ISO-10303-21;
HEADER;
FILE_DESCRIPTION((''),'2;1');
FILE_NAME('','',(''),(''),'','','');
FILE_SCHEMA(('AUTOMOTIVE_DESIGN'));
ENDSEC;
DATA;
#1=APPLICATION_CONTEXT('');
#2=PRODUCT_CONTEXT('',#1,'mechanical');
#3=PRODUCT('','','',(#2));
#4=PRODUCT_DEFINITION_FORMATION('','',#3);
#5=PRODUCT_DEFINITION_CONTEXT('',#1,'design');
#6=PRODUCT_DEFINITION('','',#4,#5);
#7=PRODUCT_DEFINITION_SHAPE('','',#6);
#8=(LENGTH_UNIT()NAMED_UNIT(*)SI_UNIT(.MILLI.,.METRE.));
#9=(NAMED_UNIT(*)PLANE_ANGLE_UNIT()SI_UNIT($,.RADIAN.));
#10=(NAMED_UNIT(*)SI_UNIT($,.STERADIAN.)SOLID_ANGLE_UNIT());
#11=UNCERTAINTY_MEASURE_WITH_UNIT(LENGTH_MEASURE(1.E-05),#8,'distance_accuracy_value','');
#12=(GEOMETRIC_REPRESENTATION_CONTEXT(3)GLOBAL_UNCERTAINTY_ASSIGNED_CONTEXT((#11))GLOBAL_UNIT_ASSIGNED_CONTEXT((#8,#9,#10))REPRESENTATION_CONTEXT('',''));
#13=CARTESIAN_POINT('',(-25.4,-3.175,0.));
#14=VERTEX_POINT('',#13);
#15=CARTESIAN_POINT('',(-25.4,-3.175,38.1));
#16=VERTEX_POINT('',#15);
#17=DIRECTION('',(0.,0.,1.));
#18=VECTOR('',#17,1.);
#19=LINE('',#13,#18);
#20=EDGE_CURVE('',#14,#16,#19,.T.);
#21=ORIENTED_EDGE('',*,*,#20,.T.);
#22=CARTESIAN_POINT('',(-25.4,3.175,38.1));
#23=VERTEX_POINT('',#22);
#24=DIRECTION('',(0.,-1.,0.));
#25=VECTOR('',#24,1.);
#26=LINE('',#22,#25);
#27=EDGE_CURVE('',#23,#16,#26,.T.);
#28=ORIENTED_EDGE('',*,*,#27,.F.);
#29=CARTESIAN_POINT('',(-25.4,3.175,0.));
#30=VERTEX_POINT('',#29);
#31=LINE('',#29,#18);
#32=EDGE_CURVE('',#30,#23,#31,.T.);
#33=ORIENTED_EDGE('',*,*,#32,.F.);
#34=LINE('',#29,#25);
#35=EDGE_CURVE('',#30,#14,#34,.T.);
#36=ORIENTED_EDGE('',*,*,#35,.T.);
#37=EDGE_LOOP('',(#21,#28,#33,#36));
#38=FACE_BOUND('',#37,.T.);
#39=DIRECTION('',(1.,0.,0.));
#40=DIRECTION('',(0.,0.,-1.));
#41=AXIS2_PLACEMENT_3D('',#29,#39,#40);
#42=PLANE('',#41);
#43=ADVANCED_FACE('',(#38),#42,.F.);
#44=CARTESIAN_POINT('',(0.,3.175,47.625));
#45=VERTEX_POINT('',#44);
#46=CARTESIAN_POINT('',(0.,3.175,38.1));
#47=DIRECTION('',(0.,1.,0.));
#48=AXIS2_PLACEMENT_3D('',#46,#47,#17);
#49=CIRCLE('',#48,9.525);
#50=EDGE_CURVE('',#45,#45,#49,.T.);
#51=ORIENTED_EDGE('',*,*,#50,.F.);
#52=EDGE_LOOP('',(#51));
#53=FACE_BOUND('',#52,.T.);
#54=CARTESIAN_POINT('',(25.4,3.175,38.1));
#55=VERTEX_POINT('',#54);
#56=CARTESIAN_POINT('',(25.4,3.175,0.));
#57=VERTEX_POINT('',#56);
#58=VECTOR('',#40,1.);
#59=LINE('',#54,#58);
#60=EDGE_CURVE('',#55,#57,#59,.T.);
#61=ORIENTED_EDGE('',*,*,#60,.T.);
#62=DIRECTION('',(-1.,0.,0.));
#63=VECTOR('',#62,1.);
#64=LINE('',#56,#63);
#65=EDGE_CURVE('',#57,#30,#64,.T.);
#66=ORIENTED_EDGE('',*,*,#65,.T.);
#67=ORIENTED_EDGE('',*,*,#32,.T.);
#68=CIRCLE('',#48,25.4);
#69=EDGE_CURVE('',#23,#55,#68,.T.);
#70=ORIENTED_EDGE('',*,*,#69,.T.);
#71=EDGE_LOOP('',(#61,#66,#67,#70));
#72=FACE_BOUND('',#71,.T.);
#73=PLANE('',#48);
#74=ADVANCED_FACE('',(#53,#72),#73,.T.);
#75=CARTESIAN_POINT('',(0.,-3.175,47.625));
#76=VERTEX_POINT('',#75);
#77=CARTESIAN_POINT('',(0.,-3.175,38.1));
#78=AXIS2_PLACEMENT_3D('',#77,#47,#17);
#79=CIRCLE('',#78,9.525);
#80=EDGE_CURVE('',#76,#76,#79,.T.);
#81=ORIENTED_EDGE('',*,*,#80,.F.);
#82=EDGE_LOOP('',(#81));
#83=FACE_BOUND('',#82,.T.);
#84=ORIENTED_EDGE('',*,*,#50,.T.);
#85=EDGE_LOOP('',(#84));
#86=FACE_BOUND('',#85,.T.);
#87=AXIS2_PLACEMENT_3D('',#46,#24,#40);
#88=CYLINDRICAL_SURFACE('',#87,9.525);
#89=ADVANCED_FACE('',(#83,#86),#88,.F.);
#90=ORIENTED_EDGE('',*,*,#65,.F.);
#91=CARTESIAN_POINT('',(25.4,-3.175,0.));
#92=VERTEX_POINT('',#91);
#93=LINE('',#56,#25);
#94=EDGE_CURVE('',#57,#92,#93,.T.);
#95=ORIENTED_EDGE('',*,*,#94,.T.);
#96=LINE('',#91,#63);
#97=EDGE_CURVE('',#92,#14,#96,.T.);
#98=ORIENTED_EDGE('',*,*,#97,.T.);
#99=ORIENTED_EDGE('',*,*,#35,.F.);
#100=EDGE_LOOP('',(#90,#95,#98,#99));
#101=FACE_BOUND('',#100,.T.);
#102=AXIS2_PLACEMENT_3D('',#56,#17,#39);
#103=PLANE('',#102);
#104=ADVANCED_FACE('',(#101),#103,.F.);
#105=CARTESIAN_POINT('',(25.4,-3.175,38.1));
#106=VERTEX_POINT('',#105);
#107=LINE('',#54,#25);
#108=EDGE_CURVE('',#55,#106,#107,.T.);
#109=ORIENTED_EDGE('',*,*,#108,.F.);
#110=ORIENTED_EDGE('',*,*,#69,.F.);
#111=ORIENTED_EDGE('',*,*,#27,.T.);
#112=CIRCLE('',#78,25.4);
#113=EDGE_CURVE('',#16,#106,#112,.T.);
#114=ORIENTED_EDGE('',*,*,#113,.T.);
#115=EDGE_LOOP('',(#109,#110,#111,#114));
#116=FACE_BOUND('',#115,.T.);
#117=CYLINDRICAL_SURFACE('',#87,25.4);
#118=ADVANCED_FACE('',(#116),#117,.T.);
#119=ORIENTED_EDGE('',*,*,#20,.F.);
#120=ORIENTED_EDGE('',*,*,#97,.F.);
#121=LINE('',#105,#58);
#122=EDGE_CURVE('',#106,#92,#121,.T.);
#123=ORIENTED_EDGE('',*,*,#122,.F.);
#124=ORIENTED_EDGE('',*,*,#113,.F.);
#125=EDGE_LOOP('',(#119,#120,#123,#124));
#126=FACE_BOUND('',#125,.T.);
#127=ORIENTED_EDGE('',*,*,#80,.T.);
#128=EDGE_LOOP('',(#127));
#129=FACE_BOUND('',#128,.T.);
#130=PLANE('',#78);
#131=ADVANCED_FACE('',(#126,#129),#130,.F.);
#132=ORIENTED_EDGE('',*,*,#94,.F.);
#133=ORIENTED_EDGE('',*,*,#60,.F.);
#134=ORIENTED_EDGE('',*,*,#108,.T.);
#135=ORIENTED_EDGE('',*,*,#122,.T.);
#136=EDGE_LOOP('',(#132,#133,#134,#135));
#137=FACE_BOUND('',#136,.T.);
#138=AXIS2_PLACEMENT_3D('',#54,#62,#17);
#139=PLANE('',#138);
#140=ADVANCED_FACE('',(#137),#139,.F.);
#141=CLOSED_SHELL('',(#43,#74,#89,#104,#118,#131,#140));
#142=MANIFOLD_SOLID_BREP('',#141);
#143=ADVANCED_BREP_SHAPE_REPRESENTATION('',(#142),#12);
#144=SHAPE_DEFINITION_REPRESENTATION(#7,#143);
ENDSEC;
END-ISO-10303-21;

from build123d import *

# Parameters (mm, degrees)
SKETCH1_R           = 9.525
BOSS_EXTRUDE1_DEPTH = 3.175


with BuildPart() as part:
    # Sketch1 → Boss-Extrude1 (new body, symmetric)
    with BuildSketch(Plane(origin=(0, 0, 0), x_dir=(1, 0, 0), z_dir=(0, 1, 0))):
        with BuildLine():
            Line((-25.4, 0), (-25.4, -38.1))
            ThreePointArc((-25.4, -38.1), (0, -63.5), (25.4, -38.1))
            Line((25.4, -38.1), (25.4, 0))
            Line((25.4, 0), (-25.4, 0))
        make_face()
        with Locations((0, -38.1)):
            Circle(SKETCH1_R, mode=Mode.SUBTRACT)
    extrude(amount=BOSS_EXTRUDE1_DEPTH, both=True)


solid = part.part
